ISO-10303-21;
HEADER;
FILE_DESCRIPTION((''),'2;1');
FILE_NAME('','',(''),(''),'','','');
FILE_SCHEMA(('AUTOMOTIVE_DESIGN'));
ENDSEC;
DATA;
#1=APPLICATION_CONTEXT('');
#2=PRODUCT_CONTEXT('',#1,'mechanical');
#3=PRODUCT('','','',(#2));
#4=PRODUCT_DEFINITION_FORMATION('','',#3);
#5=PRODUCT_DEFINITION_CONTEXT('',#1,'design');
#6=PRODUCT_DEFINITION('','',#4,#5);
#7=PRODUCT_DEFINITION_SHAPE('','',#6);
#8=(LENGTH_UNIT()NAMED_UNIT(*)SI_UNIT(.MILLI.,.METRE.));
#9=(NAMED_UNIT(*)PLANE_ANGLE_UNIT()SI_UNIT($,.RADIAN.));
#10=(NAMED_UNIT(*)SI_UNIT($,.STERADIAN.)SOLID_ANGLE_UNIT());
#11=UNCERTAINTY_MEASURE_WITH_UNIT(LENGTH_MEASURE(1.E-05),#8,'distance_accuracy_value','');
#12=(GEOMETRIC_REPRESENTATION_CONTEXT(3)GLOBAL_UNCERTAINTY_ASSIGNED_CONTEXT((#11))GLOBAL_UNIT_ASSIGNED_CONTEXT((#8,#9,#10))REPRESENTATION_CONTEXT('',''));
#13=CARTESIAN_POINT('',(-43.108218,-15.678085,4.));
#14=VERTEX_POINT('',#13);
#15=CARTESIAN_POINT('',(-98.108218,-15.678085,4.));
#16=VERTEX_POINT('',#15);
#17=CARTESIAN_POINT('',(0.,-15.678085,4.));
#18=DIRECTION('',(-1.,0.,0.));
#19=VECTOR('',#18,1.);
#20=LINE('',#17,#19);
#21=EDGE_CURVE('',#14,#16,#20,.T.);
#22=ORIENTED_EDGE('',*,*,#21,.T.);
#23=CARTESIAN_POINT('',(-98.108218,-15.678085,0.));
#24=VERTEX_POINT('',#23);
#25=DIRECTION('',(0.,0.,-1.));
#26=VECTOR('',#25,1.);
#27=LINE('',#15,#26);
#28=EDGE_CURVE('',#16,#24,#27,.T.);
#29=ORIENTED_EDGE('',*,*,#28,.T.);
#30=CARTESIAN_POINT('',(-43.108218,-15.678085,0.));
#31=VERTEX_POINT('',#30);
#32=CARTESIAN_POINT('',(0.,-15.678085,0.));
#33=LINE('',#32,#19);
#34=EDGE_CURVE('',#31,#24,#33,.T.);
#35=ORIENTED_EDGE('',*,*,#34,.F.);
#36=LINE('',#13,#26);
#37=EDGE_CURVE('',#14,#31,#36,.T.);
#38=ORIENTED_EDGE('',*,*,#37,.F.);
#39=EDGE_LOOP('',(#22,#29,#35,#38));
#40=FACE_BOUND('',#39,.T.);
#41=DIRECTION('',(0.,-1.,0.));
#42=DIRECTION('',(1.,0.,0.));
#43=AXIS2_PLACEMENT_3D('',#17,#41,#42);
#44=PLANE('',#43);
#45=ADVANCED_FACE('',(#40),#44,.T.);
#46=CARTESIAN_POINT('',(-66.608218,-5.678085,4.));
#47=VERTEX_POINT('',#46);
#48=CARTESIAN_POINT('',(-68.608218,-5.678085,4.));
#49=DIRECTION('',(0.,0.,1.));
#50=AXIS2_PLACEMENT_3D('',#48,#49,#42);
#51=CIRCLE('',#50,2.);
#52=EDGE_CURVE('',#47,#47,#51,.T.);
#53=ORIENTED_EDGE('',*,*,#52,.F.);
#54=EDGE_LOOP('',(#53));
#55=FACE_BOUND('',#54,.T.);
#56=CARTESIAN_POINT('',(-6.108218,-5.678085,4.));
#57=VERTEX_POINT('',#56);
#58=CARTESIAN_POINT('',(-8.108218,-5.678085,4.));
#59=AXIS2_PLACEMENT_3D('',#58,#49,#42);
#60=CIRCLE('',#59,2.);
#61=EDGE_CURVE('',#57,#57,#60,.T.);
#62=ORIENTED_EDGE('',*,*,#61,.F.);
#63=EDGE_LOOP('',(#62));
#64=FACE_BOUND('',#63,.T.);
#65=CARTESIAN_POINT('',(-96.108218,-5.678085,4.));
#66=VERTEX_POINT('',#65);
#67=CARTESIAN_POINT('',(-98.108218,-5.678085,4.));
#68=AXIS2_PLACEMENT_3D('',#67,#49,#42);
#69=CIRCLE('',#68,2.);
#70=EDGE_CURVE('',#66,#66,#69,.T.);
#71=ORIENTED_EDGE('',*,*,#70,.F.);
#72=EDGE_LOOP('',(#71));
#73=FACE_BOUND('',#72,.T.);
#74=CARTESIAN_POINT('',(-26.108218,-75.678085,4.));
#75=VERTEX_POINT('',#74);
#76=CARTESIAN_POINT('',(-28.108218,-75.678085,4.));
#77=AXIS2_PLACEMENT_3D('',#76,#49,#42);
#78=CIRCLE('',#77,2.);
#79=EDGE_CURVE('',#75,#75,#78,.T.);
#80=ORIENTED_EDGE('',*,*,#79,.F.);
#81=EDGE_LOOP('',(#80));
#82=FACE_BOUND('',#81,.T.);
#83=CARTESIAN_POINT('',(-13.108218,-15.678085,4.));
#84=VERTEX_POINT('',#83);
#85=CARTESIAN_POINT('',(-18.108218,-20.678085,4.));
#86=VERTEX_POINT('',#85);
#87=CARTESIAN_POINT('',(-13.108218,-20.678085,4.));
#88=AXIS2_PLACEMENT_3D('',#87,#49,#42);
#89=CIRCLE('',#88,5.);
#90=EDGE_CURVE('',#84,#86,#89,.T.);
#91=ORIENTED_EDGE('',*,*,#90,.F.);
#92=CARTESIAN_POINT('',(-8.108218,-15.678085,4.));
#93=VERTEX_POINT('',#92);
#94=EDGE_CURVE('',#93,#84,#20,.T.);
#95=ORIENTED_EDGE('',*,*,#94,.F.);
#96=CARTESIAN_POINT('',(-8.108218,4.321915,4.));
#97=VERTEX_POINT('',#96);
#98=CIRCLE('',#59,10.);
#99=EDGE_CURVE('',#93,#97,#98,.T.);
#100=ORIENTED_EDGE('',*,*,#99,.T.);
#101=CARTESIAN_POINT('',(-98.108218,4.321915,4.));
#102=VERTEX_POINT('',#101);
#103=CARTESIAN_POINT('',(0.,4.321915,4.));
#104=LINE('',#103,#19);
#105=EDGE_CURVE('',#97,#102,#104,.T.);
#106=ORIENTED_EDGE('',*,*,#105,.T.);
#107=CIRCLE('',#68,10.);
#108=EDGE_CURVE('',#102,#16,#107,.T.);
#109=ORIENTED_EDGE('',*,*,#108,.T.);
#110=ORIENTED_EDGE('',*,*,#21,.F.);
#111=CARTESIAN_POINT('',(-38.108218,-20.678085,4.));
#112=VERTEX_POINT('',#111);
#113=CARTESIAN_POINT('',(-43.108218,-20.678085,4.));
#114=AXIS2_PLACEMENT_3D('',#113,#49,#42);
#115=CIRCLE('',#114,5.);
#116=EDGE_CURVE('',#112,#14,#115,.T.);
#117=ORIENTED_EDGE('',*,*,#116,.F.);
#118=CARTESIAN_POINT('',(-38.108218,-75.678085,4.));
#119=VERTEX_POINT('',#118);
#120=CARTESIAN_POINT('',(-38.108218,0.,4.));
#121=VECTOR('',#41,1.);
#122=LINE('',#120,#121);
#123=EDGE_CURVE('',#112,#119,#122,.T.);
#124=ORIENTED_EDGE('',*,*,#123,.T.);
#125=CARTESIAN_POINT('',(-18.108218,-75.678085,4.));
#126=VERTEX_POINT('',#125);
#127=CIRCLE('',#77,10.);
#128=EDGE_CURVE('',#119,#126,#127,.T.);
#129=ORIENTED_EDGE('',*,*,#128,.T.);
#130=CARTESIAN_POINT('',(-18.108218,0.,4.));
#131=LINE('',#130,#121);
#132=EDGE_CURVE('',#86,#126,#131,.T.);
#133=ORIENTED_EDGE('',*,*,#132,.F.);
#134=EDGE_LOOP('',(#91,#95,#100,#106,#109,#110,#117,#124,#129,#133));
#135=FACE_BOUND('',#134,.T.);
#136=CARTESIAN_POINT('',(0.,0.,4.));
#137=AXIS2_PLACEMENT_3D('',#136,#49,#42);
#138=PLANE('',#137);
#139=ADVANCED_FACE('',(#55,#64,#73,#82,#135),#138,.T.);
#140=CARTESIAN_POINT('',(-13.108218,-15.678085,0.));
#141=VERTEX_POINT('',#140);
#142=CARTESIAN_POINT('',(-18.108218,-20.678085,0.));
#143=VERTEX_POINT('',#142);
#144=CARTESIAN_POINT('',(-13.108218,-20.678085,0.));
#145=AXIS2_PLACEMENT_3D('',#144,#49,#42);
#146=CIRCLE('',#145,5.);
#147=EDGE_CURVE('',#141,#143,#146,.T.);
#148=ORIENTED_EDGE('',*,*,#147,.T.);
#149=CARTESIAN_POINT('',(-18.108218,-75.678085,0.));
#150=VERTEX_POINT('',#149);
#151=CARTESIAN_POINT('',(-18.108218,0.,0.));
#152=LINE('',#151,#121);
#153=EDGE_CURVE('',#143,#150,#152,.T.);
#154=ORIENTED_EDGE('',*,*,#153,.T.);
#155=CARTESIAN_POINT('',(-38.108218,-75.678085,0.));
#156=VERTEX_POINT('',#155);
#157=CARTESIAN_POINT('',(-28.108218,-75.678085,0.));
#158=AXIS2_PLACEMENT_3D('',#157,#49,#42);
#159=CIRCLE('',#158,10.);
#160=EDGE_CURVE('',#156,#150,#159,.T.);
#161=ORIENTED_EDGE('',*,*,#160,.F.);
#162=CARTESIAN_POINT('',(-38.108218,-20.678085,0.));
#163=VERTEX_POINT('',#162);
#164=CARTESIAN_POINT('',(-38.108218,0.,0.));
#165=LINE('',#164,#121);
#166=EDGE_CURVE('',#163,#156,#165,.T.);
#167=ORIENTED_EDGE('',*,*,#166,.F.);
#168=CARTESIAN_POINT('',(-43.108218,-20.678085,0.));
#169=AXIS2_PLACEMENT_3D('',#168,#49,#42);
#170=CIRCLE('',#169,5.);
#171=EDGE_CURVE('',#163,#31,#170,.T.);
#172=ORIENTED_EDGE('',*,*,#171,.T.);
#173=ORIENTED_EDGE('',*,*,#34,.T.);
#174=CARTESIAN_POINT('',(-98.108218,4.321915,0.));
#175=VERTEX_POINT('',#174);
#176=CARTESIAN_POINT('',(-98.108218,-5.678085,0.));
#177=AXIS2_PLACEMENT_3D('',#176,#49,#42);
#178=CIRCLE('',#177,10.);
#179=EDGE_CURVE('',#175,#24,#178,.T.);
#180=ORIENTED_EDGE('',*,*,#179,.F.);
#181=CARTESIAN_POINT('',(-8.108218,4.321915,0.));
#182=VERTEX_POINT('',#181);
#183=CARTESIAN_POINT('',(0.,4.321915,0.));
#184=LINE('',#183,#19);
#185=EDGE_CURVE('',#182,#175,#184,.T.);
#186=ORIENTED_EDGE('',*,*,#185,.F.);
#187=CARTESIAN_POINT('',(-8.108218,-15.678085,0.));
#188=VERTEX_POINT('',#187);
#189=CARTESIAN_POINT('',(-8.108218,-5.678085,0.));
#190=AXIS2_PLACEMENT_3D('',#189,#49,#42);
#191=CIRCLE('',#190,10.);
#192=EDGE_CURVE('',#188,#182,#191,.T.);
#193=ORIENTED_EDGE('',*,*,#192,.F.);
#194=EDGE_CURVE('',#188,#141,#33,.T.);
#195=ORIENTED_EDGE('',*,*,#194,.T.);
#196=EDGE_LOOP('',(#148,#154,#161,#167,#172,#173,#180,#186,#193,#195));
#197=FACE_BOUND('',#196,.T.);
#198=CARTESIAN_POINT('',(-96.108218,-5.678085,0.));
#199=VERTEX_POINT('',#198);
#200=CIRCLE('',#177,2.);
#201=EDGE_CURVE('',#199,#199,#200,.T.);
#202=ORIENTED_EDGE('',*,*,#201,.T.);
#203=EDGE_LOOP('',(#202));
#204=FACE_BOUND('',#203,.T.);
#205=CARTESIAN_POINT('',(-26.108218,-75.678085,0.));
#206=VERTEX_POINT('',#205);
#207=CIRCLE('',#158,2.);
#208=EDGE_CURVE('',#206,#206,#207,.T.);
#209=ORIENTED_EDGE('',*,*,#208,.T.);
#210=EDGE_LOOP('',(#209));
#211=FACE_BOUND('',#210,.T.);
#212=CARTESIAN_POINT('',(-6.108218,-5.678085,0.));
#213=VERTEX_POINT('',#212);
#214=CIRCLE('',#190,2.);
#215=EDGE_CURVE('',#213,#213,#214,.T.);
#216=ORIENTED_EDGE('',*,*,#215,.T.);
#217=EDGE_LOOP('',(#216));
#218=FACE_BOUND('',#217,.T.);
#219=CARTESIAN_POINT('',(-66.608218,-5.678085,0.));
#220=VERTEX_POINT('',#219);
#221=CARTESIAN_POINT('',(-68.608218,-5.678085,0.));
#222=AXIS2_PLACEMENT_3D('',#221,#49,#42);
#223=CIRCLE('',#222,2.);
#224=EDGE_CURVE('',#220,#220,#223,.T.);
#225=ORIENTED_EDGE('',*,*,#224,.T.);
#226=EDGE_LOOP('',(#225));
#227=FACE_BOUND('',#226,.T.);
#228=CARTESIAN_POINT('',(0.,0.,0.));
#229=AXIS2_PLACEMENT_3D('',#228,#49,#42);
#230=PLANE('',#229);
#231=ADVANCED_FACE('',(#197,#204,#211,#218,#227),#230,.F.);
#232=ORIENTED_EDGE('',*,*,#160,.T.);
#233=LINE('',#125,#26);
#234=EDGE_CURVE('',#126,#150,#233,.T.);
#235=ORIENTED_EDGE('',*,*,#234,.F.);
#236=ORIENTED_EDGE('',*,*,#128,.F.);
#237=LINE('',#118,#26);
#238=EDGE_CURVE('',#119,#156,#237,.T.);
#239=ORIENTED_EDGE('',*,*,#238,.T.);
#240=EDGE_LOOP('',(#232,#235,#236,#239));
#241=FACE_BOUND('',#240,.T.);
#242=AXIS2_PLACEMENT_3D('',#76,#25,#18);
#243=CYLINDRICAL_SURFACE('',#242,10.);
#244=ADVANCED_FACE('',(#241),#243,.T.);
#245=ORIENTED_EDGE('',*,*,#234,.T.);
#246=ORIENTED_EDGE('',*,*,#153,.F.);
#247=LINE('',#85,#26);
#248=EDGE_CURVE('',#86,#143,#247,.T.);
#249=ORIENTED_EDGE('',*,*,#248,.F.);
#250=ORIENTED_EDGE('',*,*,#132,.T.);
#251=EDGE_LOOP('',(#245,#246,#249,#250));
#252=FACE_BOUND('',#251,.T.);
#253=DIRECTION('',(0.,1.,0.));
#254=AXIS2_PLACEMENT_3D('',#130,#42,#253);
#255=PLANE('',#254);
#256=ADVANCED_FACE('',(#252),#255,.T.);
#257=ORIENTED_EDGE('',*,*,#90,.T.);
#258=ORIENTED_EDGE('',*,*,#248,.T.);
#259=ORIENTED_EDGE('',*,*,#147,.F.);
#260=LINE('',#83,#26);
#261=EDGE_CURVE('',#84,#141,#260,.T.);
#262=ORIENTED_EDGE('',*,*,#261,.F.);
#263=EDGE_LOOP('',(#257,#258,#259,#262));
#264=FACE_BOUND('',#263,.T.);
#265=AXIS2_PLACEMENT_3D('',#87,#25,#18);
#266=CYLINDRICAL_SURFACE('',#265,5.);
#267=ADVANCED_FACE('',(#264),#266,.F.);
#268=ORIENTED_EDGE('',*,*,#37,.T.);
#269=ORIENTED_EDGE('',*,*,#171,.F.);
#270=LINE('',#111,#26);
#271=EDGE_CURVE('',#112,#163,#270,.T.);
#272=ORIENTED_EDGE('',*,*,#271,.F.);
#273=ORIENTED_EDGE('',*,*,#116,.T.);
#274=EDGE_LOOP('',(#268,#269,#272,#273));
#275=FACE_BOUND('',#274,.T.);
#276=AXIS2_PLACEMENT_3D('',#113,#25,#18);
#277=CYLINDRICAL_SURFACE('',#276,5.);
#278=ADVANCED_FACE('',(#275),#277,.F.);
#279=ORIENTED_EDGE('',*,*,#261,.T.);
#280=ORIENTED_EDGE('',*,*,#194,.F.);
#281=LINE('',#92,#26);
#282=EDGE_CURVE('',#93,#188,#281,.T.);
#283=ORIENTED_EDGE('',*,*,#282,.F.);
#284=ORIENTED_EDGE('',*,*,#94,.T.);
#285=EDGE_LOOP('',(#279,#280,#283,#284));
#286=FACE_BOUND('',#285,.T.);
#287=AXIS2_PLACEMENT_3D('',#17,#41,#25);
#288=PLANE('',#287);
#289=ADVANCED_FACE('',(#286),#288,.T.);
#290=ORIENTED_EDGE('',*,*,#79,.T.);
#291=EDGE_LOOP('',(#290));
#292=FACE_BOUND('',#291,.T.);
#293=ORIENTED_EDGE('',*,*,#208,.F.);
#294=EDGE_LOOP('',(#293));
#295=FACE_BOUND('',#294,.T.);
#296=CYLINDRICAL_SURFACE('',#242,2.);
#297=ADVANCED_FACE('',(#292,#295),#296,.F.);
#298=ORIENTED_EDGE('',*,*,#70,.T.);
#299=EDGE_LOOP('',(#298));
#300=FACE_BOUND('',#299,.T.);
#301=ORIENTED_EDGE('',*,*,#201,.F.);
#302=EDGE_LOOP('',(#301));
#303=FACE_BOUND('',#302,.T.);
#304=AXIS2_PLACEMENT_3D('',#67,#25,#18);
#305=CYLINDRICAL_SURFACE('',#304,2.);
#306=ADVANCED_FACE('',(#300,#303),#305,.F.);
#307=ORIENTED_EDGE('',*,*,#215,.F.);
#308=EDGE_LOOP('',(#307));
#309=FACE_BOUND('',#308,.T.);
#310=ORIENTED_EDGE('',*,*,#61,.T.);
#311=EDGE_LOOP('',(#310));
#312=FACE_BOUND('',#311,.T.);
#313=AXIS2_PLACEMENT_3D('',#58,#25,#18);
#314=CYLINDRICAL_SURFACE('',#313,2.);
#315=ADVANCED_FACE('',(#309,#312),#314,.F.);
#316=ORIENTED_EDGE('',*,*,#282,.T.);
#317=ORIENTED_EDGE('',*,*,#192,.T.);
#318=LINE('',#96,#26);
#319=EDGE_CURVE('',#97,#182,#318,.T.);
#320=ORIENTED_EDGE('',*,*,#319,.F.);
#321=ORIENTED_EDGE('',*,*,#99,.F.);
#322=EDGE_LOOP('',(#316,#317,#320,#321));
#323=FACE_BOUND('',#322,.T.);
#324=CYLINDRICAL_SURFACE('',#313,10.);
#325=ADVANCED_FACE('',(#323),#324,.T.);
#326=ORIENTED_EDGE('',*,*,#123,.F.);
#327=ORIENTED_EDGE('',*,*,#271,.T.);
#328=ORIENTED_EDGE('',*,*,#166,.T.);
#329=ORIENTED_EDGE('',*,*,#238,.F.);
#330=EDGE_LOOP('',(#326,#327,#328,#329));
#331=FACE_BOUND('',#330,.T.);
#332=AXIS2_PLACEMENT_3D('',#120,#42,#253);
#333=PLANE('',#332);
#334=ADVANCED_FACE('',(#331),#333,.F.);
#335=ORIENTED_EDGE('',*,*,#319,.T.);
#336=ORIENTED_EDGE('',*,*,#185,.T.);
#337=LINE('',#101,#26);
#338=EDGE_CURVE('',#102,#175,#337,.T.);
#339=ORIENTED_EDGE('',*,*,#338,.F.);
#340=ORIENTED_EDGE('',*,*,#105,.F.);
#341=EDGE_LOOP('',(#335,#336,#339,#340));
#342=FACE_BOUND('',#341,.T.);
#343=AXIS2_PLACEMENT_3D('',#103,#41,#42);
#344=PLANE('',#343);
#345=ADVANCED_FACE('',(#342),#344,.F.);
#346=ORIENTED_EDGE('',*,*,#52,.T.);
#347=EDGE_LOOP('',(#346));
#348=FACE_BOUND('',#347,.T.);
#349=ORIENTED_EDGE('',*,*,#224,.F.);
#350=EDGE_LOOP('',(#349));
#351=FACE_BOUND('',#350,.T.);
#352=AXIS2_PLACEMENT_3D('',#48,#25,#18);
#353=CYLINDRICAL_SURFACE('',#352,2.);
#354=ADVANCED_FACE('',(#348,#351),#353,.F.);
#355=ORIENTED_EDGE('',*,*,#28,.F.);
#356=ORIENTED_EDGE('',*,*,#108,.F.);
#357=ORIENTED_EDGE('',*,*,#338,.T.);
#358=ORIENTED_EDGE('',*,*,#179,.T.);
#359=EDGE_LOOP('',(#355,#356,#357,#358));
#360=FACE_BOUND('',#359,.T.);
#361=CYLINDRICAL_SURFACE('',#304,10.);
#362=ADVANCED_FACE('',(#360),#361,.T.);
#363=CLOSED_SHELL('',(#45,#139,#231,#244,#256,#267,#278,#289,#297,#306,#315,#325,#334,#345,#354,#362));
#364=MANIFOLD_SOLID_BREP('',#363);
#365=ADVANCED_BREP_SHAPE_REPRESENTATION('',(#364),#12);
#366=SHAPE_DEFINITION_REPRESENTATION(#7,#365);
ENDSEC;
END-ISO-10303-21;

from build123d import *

# Parameters (mm, degrees)
SKETCH_1_R      = 2
EXTRUDE_1_DEPTH = 4


with BuildPart() as part:
    # 草图1 → 凸台-拉伸1 (new body)
    with BuildSketch(Plane.XY):
        with BuildLine():
            Line((-98.108217502, -15.678085124), (-43.108217502, -15.678085124))
            ThreePointArc((-43.108217502, -15.678085124), (-39.572683597, -17.142551218), (-38.108217502, -20.678085124))
            Line((-38.108217502, -20.678085124), (-38.108217502, -75.678085124))
            ThreePointArc((-38.108217502, -75.678085124), (-28.108217502, -85.678085124), (-18.108217502, -75.678085124))
            Line((-18.108217502, -75.678085124), (-18.108217502, -20.678085124))
            ThreePointArc((-18.108217502, -20.678085124), (-16.643751408, -17.142551218), (-13.108217502, -15.678085124))
            Line((-13.108217502, -15.678085124), (-8.108217502, -15.678085124))
            ThreePointArc((-8.108217502, -15.678085124), (1.352773969, -8.916856554), (-1.979819728, 2.223986801))
            ThreePointArc((-1.979819728, 2.223986801), (-4.869446073, 3.782906348), (-8.108217502, 4.321914876))
            Line((-8.108217502, 4.321914876), (-98.108217502, 4.321914876))
            ThreePointArc((-98.108217502, 4.321914876), (-108.108217502, -5.678085124), (-98.108217502, -15.678085124))
        make_face()
        with Locations((-28.108217502, -75.678085124)):
            Circle(SKETCH_1_R, mode=Mode.SUBTRACT)
        with Locations((-98.108217502, -5.678085124)):
            Circle(SKETCH_1_R, mode=Mode.SUBTRACT)
        with Locations((-68.608217502, -5.678085124)):
            Circle(SKETCH_1_R, mode=Mode.SUBTRACT)
        with Locations((-8.108217502, -5.678085124)):
            Circle(SKETCH_1_R, mode=Mode.SUBTRACT)
    extrude(amount=EXTRUDE_1_DEPTH)


solid = part.part
